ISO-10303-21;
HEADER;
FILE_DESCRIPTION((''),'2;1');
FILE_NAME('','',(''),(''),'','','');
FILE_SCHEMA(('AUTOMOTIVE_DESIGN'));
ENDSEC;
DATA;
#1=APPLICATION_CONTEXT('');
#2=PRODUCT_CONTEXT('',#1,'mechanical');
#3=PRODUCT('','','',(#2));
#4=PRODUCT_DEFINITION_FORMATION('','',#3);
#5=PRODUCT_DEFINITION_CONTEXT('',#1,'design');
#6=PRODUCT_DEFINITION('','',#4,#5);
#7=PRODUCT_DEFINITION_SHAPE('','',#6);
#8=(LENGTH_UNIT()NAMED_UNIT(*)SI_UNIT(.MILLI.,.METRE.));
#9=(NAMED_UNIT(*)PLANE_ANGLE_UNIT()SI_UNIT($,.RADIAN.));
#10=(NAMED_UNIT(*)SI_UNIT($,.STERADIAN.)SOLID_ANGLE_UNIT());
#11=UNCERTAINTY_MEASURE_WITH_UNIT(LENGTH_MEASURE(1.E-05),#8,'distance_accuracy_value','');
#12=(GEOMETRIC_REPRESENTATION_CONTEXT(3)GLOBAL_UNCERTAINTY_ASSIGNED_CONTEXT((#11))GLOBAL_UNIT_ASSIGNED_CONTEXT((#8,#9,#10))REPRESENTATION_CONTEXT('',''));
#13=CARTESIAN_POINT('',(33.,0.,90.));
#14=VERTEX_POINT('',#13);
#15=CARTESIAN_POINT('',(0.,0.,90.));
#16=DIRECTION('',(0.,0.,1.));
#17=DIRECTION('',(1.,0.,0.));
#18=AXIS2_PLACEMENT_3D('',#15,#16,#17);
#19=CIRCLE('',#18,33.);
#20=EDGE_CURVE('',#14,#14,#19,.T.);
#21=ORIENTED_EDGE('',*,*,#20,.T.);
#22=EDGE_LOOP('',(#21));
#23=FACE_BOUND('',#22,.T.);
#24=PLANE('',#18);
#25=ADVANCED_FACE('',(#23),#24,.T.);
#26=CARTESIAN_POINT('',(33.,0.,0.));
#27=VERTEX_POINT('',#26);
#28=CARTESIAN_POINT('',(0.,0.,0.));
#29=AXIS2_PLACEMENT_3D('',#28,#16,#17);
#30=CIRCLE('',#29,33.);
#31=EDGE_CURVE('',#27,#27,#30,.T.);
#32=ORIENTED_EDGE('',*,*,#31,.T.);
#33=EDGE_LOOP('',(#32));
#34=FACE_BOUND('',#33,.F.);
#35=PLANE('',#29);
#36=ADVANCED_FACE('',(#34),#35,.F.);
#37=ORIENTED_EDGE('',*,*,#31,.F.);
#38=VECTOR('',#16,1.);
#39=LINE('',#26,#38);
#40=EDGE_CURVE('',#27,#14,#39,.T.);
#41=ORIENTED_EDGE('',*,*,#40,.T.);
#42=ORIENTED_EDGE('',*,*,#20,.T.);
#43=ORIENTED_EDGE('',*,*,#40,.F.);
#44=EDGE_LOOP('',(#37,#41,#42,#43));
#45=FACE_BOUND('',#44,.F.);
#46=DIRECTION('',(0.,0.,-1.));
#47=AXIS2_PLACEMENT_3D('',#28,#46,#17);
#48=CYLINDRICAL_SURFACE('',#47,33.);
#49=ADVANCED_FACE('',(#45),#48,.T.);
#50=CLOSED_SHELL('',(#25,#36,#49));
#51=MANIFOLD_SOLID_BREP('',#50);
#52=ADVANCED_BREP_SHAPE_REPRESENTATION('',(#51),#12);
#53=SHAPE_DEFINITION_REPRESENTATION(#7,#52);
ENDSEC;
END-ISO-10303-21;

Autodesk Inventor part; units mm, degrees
ref_plane "YZ Plane" through (0, 0, 0) normal (1, 0, 0) x (0, 1, 0)
ref_plane "XZ Plane" through (0, 0, 0) normal (0, 1, 0) x (-1, 0, 0)
ref_plane "XY Plane" through (0, 0, 0) normal (0, 0, 1) x (1, 0, 0)
sketch "スケッチ1" plane through (0, 0, 0) normal (0, 0, 1) x (1, 0, 0)
  point P0 (0, 0)
sketch "スケッチ2" plane through (0, 0, 0) normal (0, 0, 1) x (1, 0, 0)
  circle A0 centre (0, 0) radius 33
  dimension "d0" = 66
extrude "押し出し1" add sketch "スケッチ2" along normal blind 90
ref_plane "作業平面1" through (0, 0, 45) normal (0, 0, 1) x (1, 0, 0)
sketch "スケッチ3" plane through (0, 0, 45) normal (0, 0, 1) x (1, 0, 0)
  circle A0 centre (0, 0) radius 33
properties part number "airdatasensor"
